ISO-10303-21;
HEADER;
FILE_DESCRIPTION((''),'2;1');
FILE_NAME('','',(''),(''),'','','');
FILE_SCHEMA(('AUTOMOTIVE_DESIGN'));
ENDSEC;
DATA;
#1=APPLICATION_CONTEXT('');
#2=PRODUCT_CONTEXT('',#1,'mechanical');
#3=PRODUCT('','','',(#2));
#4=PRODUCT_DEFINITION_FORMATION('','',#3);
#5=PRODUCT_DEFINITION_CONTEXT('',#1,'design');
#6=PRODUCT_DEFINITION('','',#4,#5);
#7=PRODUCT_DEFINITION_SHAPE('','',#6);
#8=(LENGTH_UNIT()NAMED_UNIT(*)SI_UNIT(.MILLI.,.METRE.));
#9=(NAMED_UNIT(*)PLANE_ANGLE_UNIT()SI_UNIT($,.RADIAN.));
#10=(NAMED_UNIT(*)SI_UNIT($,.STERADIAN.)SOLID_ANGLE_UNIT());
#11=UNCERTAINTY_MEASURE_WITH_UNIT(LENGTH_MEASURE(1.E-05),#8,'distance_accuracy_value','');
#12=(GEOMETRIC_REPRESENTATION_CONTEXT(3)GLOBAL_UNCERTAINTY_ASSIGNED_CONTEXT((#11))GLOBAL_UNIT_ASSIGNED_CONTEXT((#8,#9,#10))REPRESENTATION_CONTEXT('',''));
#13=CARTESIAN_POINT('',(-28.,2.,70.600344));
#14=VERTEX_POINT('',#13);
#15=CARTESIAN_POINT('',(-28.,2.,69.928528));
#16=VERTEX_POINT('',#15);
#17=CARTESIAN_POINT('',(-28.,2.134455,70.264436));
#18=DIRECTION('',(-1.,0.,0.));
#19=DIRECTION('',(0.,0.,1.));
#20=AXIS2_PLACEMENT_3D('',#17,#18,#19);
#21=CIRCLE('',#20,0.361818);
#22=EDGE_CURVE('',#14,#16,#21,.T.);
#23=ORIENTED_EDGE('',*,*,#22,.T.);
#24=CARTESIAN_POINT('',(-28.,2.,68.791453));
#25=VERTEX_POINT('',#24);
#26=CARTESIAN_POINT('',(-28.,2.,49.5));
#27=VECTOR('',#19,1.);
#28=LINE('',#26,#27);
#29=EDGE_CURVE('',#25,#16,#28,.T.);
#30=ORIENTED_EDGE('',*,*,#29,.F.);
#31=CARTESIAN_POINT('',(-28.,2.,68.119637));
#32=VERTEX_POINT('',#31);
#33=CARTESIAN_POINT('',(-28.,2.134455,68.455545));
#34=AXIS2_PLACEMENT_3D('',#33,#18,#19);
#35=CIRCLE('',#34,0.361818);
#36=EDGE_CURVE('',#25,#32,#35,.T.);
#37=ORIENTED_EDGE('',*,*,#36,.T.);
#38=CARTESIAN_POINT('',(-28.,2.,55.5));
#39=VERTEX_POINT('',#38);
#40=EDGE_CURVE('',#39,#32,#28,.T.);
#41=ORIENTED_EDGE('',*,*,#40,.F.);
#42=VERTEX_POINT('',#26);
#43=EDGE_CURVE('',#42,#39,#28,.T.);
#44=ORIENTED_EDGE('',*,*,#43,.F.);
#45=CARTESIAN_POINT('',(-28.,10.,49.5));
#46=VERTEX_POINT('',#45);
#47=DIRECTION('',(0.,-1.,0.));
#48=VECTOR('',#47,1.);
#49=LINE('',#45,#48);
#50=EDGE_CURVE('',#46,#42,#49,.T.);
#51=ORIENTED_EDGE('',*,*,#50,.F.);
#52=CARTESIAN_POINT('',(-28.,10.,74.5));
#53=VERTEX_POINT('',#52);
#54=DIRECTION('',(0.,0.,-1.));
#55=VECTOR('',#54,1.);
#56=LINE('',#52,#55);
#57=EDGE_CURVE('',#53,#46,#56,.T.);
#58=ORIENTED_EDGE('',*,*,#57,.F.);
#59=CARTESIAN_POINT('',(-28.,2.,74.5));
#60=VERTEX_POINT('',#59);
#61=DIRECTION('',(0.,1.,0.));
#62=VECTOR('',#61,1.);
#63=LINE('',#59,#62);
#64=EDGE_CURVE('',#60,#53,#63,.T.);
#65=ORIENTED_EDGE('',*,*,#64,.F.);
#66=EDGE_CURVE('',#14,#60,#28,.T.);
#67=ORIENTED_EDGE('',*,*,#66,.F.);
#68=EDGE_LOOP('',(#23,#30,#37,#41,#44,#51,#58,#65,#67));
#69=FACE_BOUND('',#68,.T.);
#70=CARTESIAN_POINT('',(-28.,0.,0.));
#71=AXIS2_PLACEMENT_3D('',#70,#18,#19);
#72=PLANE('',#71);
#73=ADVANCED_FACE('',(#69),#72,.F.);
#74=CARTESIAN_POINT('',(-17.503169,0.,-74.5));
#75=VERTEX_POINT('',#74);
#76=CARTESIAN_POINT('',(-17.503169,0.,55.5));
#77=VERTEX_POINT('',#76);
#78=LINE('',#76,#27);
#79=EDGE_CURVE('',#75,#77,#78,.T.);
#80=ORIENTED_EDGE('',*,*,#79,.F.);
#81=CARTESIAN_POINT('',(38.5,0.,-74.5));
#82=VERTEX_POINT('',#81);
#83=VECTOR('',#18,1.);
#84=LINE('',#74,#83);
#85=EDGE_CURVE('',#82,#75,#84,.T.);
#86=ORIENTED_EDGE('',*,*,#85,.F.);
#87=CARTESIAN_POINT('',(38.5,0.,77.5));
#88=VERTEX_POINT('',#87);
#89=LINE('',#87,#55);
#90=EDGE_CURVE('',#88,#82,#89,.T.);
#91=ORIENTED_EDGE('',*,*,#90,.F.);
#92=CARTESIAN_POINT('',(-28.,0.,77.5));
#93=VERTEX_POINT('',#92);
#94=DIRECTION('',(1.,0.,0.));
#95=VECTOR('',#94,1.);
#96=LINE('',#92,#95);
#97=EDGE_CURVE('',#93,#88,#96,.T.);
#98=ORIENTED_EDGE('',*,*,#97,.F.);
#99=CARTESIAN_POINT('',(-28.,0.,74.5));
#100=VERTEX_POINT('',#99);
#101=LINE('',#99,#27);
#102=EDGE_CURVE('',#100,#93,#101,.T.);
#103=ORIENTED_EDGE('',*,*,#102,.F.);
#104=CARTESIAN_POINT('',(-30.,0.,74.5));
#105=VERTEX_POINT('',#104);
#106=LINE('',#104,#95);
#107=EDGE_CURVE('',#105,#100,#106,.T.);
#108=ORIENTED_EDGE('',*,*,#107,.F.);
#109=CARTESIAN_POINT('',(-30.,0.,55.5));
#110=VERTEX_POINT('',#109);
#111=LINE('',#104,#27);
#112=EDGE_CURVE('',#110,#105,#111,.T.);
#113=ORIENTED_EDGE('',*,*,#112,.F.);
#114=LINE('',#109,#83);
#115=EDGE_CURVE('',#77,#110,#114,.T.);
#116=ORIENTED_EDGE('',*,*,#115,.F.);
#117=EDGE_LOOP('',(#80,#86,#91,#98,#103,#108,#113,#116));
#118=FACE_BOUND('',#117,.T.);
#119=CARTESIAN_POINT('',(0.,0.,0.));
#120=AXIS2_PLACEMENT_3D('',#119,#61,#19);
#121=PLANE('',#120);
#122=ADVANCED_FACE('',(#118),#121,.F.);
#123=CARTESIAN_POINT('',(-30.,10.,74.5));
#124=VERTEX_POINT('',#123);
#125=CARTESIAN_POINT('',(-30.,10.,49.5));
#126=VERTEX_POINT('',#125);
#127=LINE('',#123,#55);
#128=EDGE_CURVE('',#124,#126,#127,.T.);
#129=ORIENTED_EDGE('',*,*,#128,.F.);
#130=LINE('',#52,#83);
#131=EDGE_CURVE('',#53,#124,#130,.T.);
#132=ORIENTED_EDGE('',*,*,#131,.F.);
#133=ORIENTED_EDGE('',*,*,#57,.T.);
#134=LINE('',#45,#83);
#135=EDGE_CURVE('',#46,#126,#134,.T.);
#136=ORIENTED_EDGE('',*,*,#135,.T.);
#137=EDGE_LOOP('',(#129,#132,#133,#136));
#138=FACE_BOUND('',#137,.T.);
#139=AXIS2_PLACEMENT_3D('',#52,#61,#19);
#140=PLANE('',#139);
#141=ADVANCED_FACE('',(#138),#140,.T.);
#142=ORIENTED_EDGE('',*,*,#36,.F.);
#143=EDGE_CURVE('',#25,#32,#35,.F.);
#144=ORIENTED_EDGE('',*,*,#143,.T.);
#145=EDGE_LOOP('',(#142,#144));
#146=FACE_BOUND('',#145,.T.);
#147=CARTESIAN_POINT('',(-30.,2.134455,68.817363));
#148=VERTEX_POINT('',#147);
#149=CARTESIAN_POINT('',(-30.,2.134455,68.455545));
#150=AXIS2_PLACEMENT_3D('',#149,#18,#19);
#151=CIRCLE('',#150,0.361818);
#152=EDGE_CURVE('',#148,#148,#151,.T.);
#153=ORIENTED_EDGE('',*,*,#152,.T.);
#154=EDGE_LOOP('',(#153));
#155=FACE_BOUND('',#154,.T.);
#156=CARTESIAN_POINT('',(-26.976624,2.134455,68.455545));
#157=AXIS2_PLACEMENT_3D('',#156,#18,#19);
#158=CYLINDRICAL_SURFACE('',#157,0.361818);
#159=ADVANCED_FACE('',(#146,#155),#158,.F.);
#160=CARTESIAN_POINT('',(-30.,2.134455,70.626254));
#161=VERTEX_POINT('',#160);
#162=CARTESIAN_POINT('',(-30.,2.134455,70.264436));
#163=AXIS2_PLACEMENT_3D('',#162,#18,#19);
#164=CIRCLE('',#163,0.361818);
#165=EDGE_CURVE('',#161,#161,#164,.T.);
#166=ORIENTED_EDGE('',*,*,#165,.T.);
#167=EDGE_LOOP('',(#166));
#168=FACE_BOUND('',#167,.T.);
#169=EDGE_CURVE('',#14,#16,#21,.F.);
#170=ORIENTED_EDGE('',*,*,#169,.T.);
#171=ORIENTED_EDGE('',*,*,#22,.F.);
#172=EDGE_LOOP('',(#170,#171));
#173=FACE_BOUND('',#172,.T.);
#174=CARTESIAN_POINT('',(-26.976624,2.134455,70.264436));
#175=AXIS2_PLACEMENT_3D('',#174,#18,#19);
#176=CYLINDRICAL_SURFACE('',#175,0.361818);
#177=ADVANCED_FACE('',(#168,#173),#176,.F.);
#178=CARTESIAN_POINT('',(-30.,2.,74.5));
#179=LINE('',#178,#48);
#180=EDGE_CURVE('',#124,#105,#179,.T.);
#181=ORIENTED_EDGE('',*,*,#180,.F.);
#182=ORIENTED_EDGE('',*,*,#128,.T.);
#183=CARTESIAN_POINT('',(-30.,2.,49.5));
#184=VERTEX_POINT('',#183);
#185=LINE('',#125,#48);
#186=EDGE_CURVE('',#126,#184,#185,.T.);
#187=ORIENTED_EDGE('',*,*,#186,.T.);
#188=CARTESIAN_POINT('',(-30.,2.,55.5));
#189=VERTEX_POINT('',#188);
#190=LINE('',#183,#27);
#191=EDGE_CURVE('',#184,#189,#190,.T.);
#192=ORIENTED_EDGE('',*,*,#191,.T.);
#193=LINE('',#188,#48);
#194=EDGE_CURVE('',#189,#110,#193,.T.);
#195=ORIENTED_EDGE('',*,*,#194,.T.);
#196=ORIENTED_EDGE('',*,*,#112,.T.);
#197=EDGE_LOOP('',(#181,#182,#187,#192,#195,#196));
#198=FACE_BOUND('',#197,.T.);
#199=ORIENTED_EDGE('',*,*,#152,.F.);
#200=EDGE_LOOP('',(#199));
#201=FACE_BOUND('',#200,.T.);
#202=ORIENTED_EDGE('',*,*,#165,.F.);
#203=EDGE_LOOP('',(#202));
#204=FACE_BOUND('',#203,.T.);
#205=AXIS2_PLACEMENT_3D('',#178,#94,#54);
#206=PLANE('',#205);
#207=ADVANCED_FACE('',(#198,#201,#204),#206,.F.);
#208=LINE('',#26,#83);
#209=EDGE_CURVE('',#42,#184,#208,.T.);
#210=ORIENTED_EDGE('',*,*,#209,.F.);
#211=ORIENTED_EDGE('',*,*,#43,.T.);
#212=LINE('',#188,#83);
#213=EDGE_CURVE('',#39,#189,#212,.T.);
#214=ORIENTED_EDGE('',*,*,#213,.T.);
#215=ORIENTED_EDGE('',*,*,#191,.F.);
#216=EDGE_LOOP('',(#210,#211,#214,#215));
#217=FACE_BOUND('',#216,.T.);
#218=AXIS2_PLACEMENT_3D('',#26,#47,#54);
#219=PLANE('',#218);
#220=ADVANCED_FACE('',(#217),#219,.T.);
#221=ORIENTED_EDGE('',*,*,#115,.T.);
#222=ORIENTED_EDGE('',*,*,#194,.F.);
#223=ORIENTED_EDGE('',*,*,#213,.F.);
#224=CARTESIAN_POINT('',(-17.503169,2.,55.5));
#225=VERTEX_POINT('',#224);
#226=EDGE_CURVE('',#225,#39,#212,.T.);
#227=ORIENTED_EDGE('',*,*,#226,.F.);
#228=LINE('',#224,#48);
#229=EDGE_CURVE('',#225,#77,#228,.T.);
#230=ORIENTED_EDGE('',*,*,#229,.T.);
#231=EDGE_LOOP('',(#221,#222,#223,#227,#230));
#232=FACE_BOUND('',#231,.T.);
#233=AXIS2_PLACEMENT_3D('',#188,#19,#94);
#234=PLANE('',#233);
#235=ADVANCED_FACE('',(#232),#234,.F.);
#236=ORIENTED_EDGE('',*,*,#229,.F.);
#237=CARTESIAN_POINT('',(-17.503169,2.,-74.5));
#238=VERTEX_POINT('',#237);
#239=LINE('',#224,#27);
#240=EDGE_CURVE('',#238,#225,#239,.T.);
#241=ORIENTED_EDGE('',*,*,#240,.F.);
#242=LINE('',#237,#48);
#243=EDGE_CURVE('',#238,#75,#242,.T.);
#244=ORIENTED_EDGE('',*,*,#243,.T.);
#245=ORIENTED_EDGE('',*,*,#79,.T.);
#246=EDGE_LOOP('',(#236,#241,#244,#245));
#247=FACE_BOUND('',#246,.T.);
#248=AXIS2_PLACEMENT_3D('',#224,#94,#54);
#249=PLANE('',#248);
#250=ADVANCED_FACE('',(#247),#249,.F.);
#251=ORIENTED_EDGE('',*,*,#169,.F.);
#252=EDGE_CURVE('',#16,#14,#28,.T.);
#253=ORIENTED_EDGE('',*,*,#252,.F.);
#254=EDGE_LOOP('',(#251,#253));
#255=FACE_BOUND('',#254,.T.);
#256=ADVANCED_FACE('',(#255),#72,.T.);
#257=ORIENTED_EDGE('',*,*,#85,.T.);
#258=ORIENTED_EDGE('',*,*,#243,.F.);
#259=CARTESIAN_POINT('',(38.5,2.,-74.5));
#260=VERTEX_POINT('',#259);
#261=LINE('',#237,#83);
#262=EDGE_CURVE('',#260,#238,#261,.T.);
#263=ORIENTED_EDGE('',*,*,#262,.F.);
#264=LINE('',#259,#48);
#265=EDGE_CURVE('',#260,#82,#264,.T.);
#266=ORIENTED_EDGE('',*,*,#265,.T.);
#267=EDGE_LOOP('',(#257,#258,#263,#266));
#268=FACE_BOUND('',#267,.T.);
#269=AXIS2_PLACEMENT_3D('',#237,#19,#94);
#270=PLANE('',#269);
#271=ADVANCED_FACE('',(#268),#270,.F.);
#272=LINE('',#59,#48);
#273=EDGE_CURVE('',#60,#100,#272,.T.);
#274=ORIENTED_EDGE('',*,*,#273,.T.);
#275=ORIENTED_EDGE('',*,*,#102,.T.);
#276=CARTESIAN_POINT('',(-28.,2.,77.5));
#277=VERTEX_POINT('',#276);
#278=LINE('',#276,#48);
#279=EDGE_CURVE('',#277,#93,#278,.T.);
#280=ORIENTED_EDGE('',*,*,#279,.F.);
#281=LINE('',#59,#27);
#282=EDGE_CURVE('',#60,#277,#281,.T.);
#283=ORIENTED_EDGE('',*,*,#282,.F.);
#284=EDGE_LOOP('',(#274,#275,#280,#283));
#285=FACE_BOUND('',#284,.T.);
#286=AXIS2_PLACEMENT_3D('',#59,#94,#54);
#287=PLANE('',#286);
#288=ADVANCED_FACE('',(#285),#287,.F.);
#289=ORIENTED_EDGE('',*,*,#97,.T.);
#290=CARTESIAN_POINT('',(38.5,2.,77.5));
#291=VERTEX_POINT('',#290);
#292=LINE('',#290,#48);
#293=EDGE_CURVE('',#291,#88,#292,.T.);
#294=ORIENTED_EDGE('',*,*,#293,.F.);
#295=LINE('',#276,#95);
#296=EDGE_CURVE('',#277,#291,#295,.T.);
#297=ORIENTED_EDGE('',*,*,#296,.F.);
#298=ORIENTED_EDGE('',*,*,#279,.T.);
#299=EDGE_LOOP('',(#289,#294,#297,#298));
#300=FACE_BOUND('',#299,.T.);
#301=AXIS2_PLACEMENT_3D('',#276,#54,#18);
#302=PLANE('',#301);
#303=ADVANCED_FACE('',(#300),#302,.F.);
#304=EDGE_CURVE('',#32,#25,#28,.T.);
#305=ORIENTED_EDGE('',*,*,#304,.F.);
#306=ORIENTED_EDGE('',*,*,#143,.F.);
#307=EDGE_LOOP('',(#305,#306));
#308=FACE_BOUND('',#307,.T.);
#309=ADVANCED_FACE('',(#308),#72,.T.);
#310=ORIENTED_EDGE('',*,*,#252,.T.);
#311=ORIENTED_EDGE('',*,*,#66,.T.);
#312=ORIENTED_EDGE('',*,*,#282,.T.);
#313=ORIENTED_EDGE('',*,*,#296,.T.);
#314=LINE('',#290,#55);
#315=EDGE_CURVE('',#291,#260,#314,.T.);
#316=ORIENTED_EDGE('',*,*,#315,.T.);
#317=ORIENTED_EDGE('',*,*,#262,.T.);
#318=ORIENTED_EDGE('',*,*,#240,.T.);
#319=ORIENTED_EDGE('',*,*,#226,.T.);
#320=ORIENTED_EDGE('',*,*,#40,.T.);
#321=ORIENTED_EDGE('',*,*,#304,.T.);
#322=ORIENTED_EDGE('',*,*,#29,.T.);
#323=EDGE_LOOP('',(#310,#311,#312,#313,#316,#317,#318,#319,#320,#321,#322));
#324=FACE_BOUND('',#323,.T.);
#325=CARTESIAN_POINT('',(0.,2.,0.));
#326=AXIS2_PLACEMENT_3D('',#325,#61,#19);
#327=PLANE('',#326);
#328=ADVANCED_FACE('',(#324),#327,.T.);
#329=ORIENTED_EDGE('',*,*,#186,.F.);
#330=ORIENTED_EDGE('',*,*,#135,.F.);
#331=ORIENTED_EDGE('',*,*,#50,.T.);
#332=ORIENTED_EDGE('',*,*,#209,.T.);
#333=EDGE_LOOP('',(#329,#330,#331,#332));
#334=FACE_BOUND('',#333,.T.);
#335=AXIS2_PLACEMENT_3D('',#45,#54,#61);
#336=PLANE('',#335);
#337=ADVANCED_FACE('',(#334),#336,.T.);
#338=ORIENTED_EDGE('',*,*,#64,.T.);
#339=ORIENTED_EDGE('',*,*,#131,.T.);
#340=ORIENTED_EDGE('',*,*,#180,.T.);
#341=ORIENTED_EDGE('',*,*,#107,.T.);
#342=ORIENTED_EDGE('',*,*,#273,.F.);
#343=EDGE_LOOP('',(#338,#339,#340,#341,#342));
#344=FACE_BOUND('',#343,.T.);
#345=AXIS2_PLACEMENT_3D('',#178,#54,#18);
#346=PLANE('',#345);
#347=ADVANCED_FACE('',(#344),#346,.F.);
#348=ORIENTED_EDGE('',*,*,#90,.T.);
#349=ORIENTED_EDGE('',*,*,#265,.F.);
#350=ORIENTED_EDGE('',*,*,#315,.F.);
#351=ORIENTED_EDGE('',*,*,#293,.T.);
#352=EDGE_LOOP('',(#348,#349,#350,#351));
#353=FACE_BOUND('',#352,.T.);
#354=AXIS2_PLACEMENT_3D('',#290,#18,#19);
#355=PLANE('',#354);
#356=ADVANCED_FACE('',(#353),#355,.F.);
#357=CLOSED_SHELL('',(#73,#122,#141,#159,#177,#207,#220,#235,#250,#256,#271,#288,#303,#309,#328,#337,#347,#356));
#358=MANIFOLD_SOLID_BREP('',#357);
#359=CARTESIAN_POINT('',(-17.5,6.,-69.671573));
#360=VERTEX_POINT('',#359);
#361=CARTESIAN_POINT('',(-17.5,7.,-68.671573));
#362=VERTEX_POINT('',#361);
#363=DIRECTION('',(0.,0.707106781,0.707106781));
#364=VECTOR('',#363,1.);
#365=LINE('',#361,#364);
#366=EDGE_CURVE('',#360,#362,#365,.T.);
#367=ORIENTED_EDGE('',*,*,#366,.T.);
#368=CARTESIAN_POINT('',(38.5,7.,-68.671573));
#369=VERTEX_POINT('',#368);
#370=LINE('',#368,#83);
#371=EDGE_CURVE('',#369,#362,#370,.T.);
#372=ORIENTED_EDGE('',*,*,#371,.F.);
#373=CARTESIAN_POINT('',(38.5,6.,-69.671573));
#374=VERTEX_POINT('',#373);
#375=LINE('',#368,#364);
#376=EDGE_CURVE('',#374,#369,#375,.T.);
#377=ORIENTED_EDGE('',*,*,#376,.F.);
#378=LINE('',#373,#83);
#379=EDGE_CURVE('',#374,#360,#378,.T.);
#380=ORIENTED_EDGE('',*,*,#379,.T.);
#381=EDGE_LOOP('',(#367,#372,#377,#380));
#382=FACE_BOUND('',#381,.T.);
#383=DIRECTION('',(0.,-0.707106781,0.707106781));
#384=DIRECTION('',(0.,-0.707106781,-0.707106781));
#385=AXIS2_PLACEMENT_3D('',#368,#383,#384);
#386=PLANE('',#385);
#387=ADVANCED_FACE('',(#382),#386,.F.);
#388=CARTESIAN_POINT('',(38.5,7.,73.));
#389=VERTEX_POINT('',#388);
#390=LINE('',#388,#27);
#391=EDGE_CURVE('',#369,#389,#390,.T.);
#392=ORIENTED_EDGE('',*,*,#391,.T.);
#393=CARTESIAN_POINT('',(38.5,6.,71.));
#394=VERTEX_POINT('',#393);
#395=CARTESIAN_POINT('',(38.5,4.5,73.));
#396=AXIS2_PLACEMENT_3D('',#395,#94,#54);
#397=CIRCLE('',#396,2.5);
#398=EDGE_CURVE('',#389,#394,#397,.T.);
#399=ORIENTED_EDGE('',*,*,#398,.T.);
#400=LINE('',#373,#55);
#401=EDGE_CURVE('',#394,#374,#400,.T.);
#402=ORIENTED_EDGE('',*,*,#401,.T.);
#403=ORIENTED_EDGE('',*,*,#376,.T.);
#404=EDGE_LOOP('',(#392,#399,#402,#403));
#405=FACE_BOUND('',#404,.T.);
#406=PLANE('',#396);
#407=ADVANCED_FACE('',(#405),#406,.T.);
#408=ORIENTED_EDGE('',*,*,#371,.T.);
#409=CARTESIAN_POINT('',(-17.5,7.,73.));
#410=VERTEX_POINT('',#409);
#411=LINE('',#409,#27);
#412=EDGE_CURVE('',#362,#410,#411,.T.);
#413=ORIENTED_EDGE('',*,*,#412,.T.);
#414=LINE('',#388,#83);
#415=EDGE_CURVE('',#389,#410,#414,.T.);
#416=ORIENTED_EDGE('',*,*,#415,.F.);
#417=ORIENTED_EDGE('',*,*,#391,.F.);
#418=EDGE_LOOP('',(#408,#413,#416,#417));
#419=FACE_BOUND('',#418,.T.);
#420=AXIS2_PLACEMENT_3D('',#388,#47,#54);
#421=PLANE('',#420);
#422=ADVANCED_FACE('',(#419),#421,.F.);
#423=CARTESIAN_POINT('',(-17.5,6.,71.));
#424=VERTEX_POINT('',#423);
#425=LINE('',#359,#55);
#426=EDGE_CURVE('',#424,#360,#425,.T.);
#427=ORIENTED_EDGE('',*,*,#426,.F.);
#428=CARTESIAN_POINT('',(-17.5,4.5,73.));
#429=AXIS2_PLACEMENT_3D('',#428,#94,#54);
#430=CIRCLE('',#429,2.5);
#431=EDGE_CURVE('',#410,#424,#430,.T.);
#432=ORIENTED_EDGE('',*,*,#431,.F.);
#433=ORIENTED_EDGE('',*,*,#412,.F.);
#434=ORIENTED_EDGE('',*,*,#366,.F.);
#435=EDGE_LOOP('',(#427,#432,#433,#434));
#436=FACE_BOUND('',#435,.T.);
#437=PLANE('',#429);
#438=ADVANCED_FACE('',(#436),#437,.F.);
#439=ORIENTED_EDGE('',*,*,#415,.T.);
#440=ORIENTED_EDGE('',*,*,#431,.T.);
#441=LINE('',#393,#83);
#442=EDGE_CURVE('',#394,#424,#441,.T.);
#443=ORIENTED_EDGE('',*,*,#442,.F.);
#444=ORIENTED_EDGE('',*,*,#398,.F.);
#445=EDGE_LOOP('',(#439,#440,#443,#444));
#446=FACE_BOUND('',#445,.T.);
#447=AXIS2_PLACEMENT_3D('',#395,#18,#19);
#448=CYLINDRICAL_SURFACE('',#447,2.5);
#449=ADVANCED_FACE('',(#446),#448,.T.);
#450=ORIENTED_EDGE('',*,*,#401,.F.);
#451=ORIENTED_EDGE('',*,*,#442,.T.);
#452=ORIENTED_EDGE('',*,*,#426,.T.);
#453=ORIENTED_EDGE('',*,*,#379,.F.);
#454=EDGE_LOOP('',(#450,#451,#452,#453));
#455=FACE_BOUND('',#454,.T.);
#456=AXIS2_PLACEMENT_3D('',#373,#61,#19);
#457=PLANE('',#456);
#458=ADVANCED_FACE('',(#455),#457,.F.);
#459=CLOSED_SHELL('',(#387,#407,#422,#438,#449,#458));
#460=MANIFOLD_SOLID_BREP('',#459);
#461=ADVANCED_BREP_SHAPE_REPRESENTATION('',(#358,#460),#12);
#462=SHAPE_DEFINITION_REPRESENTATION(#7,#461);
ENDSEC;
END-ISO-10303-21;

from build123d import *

# Parameters (mm, degrees)
BOSS_EXTRUDE1_DEPTH = 2
SKETCH2_W           = 25
SKETCH2_H           = 8
BOSS_EXTRUDE2_DEPTH = 2
SKETCH3_R           = 0.361818182
CUT_EXTRUDE1_DEPTH  = 2
BOSS_EXTRUDE4_DEPTH = 28


with BuildPart() as part:
    # Sketch1 → Boss-Extrude1 (new body)
    with BuildSketch(Plane(origin=(0, 0, 0), x_dir=(1, 0, 0), z_dir=(0, 1, 0))):
        Polygon((-30, -74.5), (-28, -74.5), (-28, -77.5), (38.5, -77.5), (38.5, 74.5), (-17.503169207, 74.5), (-17.503169207, -55.5), (-30, -55.5), align=None)
    extrude(amount=BOSS_EXTRUDE1_DEPTH)

    # Sketch2 → Boss-Extrude2 (add)
    with BuildSketch(Plane.ZY.offset(30)):
        with Locations((62, 6)):
            Rectangle(SKETCH2_W, SKETCH2_H)
    extrude(amount=-BOSS_EXTRUDE2_DEPTH)

    # Sketch3 → Cut-Extrude1 (cut)
    with BuildSketch(Plane.ZY.offset(30)):
        with Locations((68.455544804, 2.134454992)):
            Circle(SKETCH3_R)
        with Locations((70.264435843, 2.134454992)):
            Circle(SKETCH3_R)
    extrude(amount=-CUT_EXTRUDE1_DEPTH, mode=Mode.SUBTRACT)


with BuildPart() as body_2:
    # Sketch4 → Boss-Extrude4 (new, symmetric)
    with BuildSketch(Plane(origin=(10.5, 0, 0), x_dir=(0, 0, -1), z_dir=(1, 0, 0))):
        with BuildLine():
            Line((68.671572875, 7), (69.671572875, 6))
            Line((69.671572875, 6), (-71, 6))
            ThreePointArc((-71, 6), (-74.118033989, 2.263932023), (-73, 7))
            Line((-73, 7), (68.671572875, 7))
        make_face()
    extrude(amount=BOSS_EXTRUDE4_DEPTH, both=True)


solid = Compound([part.part, body_2.part])
